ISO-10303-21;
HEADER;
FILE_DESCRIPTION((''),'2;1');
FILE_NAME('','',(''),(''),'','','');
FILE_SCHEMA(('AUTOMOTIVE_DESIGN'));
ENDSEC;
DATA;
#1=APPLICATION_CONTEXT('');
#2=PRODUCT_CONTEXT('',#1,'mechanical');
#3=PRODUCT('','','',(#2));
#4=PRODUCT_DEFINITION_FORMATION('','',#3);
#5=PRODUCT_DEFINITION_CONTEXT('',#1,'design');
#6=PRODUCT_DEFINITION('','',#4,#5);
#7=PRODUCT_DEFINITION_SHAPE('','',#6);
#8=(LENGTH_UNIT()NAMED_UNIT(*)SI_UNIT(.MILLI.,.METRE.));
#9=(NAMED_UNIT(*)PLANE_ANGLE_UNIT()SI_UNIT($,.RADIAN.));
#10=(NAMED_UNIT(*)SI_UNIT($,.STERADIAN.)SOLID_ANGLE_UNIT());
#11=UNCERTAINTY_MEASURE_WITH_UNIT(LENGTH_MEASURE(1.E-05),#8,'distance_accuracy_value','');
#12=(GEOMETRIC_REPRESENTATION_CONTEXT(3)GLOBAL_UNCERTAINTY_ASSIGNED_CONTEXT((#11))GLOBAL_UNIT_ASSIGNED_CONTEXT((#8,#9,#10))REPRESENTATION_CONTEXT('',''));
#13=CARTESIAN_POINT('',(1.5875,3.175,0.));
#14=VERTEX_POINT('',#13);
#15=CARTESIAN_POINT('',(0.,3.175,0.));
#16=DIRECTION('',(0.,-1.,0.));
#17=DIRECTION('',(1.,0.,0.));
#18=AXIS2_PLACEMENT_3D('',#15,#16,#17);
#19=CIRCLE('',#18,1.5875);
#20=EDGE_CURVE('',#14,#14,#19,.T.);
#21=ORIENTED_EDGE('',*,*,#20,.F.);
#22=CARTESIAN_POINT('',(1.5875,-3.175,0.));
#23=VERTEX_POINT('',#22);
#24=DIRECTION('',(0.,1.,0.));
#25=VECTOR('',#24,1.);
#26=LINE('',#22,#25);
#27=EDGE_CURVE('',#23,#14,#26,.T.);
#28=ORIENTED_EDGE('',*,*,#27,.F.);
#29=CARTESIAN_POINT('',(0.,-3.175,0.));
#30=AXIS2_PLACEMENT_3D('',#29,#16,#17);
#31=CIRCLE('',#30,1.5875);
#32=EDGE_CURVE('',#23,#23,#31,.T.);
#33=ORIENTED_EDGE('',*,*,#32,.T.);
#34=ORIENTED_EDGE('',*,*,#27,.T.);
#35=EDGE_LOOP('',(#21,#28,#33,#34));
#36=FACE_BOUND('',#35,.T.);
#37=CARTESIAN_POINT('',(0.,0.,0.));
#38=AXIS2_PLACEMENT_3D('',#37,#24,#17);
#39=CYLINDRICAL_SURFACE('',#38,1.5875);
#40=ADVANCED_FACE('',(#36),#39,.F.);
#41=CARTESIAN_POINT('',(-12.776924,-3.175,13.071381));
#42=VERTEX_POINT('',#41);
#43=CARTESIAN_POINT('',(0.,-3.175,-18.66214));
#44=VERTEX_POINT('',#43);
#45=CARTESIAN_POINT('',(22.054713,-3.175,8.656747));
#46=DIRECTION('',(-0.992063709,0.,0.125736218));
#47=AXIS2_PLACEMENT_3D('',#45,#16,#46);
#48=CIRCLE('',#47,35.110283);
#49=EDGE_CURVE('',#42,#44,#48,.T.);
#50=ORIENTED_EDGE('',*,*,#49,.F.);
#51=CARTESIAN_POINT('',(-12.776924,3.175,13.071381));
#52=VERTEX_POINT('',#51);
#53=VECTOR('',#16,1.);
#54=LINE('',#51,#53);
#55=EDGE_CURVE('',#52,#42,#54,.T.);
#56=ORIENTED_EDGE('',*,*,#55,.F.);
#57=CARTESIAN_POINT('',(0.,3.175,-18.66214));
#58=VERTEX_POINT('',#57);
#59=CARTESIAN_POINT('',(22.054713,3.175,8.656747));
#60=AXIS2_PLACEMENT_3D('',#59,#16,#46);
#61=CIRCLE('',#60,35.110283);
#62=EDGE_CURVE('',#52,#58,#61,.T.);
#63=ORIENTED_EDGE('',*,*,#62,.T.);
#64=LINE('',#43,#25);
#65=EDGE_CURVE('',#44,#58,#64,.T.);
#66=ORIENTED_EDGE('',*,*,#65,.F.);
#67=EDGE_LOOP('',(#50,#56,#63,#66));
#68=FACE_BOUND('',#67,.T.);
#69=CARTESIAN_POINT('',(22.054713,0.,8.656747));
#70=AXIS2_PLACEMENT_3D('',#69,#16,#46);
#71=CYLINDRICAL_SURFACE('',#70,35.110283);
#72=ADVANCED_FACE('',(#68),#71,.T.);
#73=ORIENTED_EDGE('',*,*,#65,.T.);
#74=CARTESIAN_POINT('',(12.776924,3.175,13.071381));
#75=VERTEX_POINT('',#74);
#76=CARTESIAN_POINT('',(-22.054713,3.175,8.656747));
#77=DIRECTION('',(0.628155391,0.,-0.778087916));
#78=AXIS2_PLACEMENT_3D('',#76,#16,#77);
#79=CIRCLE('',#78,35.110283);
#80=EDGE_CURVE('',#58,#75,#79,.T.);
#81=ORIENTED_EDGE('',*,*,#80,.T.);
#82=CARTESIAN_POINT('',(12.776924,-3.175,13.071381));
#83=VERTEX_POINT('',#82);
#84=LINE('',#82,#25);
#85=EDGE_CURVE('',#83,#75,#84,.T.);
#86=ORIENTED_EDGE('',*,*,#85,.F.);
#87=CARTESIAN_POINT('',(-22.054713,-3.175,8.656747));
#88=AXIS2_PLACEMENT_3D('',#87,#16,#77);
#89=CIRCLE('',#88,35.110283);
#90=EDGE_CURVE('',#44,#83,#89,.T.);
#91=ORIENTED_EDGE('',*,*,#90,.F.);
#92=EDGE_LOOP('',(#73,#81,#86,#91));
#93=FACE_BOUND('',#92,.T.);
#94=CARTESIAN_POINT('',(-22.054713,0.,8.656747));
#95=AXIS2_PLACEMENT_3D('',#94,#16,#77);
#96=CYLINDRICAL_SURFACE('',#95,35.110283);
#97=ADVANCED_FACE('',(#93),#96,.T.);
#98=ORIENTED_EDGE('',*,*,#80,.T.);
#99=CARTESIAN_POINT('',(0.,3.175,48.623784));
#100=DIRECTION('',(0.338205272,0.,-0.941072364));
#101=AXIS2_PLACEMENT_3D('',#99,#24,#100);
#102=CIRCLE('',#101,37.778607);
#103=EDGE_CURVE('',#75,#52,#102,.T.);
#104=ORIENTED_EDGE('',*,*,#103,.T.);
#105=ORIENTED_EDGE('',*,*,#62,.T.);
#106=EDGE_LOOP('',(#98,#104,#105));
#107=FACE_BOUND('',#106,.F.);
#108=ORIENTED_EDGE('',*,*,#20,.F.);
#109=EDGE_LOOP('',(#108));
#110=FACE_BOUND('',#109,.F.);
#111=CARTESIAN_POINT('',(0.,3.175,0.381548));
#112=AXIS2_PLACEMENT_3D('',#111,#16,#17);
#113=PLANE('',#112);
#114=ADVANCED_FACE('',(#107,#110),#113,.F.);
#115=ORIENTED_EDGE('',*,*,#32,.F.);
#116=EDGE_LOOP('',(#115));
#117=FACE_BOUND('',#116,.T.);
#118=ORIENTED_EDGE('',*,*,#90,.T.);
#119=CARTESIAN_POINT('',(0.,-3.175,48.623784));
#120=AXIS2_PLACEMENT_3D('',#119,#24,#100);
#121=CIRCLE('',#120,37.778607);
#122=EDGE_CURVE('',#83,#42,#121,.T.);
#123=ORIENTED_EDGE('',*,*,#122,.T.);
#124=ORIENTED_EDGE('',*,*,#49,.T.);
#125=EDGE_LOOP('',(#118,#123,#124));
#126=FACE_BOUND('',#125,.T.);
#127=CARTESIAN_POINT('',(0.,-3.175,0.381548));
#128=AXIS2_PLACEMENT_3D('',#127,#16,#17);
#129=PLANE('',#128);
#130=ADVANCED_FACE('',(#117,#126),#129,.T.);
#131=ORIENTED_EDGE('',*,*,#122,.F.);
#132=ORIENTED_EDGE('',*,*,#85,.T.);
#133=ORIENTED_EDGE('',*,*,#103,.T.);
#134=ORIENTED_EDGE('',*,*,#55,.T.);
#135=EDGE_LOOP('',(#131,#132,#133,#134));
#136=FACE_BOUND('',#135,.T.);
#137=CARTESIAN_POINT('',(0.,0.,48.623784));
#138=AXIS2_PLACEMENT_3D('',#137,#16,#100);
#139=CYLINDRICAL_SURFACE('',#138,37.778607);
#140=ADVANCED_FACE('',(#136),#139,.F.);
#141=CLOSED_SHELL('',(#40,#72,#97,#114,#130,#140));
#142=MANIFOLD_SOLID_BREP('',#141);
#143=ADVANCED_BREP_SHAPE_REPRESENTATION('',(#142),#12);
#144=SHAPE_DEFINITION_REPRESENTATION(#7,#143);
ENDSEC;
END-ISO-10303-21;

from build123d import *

# Parameters (mm, degrees)
F0_R     = 9.525
F0_R_2   = 1.5875
F1_DEPTH = 3.175


with BuildPart() as f1:
    # F0 (on Front) → F1 (new body, symmetric)
    with BuildSketch(Plane.XZ):
        with BuildLine():
            ThreePointArc((12.776924, 13.071381), (0, 10.845177), (-12.776924, 13.071381))
            ThreePointArc((-12.776924, 13.071381), (-10.514725, -4.456744), (0, -18.66214))
            ThreePointArc((0, -18.66214), (10.514725, -4.456744), (12.776924, 13.071381))
        make_face()
        Circle(F0_R, mode=Mode.SUBTRACT)
        Circle(F0_R)
        Circle(F0_R_2, mode=Mode.SUBTRACT)
    extrude(amount=F1_DEPTH, both=True)


solid = f1.part
